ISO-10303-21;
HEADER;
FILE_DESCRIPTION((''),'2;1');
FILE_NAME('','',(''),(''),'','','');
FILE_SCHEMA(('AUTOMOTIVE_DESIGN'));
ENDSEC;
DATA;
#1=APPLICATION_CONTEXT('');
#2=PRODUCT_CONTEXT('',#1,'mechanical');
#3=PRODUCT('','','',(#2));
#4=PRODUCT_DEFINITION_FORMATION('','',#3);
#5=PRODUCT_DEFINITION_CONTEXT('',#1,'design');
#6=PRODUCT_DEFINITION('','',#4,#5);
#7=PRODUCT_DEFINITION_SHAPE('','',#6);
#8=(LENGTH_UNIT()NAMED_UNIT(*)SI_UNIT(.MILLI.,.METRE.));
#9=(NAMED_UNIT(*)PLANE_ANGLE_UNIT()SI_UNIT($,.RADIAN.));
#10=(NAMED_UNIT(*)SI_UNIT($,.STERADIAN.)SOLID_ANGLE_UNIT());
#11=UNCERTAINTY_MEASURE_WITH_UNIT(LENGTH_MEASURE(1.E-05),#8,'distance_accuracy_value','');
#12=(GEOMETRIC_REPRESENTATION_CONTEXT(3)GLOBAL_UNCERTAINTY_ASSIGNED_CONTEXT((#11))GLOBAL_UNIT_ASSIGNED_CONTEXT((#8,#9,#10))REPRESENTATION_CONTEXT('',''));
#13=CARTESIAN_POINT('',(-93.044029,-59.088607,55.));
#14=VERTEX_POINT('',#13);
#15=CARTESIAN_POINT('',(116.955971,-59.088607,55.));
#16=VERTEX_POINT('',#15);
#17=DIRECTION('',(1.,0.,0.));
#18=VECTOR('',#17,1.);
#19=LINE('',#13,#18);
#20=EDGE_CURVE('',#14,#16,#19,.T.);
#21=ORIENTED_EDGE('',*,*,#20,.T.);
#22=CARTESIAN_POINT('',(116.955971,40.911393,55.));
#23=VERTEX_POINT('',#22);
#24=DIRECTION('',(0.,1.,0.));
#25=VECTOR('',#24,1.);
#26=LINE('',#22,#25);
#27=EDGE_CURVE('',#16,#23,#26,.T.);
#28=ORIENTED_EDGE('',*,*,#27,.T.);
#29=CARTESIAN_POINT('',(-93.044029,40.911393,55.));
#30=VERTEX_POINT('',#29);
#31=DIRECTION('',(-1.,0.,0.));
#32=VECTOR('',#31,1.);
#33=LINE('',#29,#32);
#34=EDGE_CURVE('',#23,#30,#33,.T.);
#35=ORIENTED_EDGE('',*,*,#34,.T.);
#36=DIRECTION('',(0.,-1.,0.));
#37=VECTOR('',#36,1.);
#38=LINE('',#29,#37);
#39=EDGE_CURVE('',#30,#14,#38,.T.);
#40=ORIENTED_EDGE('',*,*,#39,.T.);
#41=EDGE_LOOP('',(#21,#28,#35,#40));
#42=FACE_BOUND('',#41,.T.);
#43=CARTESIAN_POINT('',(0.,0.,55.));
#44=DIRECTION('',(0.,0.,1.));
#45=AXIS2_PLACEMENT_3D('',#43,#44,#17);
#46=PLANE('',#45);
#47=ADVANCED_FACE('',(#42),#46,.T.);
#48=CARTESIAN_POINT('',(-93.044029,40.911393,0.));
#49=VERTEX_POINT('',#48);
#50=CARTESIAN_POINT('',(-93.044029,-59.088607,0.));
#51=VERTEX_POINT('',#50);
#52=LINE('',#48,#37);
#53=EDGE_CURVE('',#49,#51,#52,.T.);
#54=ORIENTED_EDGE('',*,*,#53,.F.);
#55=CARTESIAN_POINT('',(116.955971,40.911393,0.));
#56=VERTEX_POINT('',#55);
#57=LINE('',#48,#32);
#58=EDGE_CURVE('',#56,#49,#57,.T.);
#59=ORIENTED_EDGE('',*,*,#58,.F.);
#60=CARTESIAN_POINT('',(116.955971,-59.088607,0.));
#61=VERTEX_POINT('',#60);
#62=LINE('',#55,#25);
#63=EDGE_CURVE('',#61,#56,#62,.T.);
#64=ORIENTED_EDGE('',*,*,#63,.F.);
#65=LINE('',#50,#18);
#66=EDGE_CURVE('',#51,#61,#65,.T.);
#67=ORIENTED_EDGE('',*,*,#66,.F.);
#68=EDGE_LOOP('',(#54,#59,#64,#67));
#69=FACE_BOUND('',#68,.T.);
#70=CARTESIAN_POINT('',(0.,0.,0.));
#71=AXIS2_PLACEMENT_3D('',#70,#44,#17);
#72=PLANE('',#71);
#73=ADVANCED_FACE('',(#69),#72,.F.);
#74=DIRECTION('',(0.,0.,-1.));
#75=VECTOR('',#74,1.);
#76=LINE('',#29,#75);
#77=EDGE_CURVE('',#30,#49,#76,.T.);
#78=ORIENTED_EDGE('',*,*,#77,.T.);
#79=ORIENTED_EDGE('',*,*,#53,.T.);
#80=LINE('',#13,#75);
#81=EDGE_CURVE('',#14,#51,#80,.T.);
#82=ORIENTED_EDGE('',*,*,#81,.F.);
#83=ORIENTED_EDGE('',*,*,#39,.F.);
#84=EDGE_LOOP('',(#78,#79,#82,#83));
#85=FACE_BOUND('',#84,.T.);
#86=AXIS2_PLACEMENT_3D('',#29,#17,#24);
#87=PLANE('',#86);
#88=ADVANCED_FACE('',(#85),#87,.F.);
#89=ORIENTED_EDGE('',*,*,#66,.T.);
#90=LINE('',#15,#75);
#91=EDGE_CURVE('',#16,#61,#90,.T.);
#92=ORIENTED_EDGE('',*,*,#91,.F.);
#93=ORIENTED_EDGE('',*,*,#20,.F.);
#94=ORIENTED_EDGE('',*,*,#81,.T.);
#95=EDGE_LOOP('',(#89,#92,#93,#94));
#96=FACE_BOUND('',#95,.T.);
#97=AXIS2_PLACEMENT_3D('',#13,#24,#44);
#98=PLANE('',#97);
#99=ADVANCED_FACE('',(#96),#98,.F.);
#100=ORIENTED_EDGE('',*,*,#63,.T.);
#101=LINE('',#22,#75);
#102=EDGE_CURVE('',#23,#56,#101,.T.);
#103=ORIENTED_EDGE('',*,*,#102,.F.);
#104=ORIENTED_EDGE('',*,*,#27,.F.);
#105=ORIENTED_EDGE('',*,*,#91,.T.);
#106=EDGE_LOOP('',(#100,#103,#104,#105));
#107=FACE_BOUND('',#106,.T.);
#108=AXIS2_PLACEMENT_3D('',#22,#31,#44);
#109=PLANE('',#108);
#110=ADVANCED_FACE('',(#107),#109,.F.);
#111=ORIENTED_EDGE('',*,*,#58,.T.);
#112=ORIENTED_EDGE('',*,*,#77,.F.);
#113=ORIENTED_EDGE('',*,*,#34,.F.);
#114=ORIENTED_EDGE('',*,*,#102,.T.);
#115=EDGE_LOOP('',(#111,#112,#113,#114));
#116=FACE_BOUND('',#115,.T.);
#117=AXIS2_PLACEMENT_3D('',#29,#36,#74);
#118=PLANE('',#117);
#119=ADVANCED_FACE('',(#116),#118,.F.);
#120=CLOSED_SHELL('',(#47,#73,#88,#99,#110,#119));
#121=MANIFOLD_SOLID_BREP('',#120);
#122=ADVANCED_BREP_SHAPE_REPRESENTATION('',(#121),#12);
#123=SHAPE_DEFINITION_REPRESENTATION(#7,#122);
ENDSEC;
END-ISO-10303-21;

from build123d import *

# Parameters (mm, degrees)
ESQUISSE1_W        = 210
ESQUISSE1_H        = 100
BOSS_EXTRU_1_DEPTH = 55


with BuildPart() as part:
    # Esquisse1 → Boss.-Extru.1 (new body)
    with BuildSketch(Plane.XY):
        with Locations((11.955971461, -9.088606848)):
            Rectangle(ESQUISSE1_W, ESQUISSE1_H)
    extrude(amount=BOSS_EXTRU_1_DEPTH)


solid = part.part
